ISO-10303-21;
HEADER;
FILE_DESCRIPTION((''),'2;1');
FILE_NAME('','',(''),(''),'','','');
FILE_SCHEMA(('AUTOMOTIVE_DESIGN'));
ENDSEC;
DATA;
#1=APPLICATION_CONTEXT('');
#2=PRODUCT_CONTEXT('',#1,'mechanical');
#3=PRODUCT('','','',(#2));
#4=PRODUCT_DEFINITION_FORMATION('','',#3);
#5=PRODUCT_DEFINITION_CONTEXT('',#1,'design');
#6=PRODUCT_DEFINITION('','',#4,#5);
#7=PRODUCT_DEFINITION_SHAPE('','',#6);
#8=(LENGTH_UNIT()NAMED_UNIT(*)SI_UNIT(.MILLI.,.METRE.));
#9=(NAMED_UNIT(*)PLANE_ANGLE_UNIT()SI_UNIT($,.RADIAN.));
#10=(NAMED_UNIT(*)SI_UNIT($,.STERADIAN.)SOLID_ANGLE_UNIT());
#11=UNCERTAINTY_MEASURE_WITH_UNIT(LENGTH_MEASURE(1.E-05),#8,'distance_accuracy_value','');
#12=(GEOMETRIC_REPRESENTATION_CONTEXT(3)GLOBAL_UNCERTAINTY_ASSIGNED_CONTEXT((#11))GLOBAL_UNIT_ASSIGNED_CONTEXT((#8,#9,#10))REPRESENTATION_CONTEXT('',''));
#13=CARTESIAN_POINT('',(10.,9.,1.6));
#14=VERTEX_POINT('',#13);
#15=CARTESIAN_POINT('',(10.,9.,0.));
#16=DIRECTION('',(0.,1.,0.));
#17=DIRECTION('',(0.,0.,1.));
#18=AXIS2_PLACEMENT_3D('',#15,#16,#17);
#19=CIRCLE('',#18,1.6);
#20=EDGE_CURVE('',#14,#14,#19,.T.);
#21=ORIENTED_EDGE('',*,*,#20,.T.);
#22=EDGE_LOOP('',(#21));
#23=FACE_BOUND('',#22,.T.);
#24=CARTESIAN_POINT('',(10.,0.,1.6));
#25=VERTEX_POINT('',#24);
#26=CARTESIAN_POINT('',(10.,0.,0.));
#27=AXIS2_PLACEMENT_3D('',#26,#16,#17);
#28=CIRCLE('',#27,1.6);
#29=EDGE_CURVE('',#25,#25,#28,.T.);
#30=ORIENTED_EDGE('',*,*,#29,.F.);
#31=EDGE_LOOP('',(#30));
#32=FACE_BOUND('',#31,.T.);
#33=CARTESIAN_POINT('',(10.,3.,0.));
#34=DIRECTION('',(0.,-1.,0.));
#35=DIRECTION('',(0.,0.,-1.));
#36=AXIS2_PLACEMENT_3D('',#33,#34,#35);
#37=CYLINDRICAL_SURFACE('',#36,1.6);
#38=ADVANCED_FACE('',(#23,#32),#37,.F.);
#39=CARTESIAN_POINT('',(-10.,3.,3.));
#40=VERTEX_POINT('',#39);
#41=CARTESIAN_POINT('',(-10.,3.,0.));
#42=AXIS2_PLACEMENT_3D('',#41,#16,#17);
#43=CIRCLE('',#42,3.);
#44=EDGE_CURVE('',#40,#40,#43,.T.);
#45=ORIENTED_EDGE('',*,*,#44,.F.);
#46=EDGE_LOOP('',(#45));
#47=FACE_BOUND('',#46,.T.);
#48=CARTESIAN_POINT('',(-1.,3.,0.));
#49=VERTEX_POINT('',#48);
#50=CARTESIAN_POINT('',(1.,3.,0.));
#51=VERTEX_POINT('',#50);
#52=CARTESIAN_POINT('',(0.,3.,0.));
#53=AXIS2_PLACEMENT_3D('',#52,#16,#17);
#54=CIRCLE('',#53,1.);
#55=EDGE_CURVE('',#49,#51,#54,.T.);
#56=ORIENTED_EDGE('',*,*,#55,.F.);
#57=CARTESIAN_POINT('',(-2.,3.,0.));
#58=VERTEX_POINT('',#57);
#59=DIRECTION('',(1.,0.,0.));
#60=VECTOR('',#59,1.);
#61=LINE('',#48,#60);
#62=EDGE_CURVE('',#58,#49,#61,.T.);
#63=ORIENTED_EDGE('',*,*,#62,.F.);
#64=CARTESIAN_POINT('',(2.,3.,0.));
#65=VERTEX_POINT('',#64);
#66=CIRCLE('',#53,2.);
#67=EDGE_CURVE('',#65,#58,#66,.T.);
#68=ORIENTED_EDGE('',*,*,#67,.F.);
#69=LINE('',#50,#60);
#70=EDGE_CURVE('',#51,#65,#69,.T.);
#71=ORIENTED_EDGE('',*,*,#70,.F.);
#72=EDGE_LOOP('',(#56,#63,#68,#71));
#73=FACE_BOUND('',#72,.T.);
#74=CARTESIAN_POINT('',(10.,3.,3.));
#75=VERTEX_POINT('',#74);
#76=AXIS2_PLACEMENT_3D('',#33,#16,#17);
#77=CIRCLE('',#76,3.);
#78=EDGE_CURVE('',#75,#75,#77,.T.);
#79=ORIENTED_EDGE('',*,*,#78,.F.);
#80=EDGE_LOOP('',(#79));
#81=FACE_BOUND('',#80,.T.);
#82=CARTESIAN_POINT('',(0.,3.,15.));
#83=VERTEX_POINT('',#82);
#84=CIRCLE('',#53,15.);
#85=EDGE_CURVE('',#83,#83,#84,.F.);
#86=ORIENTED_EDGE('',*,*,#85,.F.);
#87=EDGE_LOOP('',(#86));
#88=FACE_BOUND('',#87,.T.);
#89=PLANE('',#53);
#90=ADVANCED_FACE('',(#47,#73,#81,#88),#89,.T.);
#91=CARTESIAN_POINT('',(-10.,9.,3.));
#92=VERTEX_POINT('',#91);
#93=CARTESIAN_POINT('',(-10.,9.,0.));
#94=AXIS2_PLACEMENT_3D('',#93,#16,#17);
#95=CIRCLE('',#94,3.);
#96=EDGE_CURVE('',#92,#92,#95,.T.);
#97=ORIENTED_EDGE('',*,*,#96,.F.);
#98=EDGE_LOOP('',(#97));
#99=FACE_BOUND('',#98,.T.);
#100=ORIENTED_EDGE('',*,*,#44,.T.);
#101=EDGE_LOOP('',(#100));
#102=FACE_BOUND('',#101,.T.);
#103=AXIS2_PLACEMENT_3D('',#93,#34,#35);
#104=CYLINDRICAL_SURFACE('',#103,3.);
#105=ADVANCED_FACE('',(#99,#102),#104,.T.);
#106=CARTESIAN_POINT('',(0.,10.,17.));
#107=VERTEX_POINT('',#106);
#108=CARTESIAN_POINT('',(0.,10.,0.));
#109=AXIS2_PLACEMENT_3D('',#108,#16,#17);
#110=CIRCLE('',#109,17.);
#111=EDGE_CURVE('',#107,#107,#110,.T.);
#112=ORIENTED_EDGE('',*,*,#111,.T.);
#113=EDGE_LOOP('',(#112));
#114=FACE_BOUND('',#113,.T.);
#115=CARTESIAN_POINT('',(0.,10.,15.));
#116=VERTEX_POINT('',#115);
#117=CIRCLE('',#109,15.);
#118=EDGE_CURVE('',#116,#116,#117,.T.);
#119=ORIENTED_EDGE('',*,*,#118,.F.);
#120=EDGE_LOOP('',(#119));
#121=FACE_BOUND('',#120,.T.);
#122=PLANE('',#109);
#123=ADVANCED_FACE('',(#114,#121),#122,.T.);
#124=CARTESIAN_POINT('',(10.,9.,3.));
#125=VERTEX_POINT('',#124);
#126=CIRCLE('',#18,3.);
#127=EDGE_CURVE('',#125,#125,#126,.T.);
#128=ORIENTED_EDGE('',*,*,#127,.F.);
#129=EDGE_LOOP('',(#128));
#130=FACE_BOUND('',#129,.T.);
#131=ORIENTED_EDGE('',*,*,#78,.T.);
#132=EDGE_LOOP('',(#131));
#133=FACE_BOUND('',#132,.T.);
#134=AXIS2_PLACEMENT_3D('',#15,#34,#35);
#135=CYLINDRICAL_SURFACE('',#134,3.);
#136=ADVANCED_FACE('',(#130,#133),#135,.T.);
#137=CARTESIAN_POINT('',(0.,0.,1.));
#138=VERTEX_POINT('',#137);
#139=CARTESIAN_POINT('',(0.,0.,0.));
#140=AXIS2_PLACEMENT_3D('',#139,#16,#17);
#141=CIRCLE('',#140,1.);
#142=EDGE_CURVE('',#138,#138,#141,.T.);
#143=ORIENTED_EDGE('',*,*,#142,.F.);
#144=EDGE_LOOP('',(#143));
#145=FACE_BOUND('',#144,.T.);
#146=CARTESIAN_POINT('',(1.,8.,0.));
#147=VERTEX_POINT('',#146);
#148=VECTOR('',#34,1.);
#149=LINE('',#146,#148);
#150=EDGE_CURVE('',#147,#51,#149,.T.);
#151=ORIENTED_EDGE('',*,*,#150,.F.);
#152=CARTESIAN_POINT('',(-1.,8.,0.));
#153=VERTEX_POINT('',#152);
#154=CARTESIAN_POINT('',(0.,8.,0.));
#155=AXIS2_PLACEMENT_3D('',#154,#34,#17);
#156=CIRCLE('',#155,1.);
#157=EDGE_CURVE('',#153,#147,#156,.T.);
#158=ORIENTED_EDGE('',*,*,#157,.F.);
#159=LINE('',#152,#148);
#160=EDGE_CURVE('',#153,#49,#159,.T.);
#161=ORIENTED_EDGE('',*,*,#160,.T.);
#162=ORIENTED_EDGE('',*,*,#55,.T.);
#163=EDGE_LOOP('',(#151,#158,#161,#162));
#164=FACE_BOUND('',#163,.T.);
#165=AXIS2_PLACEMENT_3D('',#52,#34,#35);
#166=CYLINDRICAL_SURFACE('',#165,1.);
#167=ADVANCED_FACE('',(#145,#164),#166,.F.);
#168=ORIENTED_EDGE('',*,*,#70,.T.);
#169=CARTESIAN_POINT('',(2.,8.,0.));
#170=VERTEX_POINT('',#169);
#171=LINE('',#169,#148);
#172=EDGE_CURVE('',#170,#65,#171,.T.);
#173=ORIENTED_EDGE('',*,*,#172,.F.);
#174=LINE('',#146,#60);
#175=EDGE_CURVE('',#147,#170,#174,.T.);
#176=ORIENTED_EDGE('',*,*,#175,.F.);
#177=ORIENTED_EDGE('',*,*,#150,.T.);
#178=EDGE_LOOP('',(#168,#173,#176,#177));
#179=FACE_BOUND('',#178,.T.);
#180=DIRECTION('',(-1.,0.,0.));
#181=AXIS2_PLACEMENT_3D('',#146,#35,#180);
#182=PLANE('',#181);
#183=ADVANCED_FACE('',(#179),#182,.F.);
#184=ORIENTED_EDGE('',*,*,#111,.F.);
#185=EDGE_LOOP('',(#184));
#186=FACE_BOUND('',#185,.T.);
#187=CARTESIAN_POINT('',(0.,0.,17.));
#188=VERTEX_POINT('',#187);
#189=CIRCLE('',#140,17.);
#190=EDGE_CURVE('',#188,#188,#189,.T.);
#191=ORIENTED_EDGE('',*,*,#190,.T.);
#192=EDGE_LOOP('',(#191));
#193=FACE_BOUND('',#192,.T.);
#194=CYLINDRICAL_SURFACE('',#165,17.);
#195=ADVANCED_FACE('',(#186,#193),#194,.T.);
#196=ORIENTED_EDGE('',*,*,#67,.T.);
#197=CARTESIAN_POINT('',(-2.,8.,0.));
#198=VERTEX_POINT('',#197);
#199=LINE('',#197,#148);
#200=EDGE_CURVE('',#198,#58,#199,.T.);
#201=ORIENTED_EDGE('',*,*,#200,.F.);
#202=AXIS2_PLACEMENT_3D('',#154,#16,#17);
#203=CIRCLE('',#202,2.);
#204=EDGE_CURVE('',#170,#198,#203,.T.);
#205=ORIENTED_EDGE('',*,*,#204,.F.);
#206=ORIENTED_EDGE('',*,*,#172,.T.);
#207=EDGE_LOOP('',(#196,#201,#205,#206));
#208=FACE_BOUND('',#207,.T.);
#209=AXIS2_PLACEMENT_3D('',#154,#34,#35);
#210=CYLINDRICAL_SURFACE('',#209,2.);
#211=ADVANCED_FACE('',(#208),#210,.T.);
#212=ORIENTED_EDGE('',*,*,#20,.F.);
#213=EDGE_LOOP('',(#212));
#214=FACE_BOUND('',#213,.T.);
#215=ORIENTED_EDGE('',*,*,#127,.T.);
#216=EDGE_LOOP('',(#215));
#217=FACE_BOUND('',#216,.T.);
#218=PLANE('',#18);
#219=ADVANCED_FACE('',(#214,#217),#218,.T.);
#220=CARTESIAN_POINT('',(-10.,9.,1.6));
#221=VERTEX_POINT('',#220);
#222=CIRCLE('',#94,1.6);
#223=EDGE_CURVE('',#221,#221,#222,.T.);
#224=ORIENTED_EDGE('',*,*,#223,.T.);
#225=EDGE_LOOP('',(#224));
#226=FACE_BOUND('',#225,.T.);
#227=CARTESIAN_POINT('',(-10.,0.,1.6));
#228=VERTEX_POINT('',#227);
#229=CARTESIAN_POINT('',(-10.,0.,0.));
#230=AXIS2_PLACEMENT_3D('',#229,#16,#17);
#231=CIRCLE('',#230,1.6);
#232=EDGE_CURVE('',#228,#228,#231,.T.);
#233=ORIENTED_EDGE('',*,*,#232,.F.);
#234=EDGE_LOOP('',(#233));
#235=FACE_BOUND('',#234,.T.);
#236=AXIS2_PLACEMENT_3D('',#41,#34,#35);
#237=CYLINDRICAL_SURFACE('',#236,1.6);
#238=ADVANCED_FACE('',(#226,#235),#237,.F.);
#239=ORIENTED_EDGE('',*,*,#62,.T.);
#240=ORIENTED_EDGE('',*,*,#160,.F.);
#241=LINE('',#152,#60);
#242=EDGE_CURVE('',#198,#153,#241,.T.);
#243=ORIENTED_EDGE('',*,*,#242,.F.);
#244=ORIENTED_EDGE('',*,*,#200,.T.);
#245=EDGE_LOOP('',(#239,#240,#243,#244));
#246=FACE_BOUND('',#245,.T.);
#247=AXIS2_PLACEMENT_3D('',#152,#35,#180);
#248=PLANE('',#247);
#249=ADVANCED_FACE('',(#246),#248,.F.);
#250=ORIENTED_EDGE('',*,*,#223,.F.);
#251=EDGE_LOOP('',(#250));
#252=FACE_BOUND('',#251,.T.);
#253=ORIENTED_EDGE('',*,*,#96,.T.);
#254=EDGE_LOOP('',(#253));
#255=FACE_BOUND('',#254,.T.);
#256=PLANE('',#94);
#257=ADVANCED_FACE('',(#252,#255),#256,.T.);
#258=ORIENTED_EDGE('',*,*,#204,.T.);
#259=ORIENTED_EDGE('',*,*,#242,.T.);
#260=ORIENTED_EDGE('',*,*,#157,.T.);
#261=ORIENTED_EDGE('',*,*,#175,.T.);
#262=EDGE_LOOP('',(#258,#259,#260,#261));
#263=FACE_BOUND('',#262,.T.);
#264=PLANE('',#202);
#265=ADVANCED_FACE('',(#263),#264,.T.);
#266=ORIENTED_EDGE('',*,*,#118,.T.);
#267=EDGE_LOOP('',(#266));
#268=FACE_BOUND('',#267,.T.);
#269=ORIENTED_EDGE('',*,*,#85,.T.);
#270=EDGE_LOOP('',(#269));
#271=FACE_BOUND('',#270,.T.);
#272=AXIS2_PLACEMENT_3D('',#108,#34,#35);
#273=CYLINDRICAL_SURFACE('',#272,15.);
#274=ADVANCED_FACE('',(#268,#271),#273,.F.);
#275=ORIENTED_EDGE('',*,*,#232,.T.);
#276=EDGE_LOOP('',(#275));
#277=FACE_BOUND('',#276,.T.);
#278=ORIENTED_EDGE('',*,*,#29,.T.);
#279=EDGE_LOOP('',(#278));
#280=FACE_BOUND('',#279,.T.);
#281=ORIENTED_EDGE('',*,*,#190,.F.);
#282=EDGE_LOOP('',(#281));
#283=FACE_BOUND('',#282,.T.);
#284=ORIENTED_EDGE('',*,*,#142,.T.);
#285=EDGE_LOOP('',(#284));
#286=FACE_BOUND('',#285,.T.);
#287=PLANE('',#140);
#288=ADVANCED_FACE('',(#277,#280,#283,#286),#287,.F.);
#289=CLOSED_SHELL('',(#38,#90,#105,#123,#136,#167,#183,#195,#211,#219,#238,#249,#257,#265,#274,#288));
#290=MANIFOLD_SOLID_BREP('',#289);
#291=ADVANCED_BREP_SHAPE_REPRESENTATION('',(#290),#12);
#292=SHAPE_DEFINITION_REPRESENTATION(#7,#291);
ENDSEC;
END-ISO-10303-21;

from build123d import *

# Parameters (mm, degrees)
CROQUIS1_R              = 17
CROQUIS1_R_2            = 1
CROQUIS1_R_3            = 1.6
SALIENTE_EXTRUIR1_DEPTH = 3
CROQUIS2_R              = 17
CROQUIS2_R_2            = 15
SALIENTE_EXTRUIR2_DEPTH = 7
CROQUIS3_R              = 3
CROQUIS3_R_2            = 1.6
SALIENTE_EXTRUIR3_DEPTH = 6
SALIENTE_EXTRUIR4_DEPTH = 5


with BuildPart() as part:
    # Croquis1 → Saliente-Extruir1 (new body)
    with BuildSketch(Plane(origin=(0, 0, 0), x_dir=(1, 0, 0), z_dir=(0, 1, 0))):
        with Locations(Location((0, 0, 0), (0, 0, 270))):
            Circle(CROQUIS1_R)
        with Locations(Location((0, 0, 0), (0, 0, 270))):
            Circle(CROQUIS1_R_2, mode=Mode.SUBTRACT)
        with Locations(Location((-10, 0, 0), (0, 0, 270))):
            Circle(CROQUIS1_R_3, mode=Mode.SUBTRACT)
        with Locations(Location((10, 0, 0), (0, 0, 270))):
            Circle(CROQUIS1_R_3, mode=Mode.SUBTRACT)
    extrude(amount=SALIENTE_EXTRUIR1_DEPTH)

    # Croquis2 → Saliente-Extruir2 (add)
    with BuildSketch(Plane(origin=(0, 3, 0), x_dir=(1, 0, 0), z_dir=(0, 1, 0))):
        with Locations(Location((0, 0, 0), (0, 0, 270))):
            Circle(CROQUIS2_R)
        with Locations(Location((0, 0, 0), (0, 0, 270))):
            Circle(CROQUIS2_R_2, mode=Mode.SUBTRACT)
    extrude(amount=SALIENTE_EXTRUIR2_DEPTH)

    # Croquis3 → Saliente-Extruir3 (add)
    # profile 1 of 2: a face of its own
    with BuildSketch(Plane(origin=(0, 3, 0), x_dir=(1, 0, 0), z_dir=(0, 1, 0))):
        with Locations(Location((10, 0, 0), (0, 0, 270))):
            Circle(CROQUIS3_R)
        with Locations(Location((10, 0, 0), (0, 0, 270))):
            Circle(CROQUIS3_R_2, mode=Mode.SUBTRACT)
    # profile 2 of 2: a face of its own
    with BuildSketch(Plane(origin=(0, 3, 0), x_dir=(1, 0, 0), z_dir=(0, 1, 0))):
        with Locations(Location((-10, 0, 0), (0, 0, 270))):
            Circle(CROQUIS3_R)
        with Locations(Location((-10, 0, 0), (0, 0, 270))):
            Circle(CROQUIS3_R_2, mode=Mode.SUBTRACT)
    extrude(amount=SALIENTE_EXTRUIR3_DEPTH)

    # Croquis4 → Saliente-Extruir4 (add)
    with BuildSketch(Plane(origin=(0, 3, 0), x_dir=(1, 0, 0), z_dir=(0, 1, 0))):
        with BuildLine():
            Line((1, 0), (2, 0))
            ThreePointArc((2, 0), (0, 2), (-2, 0))
            Line((-2, 0), (-1, 0))
            ThreePointArc((-1, 0), (0, 1), (1, 0))
        make_face()
    extrude(amount=SALIENTE_EXTRUIR4_DEPTH)


solid = part.part
